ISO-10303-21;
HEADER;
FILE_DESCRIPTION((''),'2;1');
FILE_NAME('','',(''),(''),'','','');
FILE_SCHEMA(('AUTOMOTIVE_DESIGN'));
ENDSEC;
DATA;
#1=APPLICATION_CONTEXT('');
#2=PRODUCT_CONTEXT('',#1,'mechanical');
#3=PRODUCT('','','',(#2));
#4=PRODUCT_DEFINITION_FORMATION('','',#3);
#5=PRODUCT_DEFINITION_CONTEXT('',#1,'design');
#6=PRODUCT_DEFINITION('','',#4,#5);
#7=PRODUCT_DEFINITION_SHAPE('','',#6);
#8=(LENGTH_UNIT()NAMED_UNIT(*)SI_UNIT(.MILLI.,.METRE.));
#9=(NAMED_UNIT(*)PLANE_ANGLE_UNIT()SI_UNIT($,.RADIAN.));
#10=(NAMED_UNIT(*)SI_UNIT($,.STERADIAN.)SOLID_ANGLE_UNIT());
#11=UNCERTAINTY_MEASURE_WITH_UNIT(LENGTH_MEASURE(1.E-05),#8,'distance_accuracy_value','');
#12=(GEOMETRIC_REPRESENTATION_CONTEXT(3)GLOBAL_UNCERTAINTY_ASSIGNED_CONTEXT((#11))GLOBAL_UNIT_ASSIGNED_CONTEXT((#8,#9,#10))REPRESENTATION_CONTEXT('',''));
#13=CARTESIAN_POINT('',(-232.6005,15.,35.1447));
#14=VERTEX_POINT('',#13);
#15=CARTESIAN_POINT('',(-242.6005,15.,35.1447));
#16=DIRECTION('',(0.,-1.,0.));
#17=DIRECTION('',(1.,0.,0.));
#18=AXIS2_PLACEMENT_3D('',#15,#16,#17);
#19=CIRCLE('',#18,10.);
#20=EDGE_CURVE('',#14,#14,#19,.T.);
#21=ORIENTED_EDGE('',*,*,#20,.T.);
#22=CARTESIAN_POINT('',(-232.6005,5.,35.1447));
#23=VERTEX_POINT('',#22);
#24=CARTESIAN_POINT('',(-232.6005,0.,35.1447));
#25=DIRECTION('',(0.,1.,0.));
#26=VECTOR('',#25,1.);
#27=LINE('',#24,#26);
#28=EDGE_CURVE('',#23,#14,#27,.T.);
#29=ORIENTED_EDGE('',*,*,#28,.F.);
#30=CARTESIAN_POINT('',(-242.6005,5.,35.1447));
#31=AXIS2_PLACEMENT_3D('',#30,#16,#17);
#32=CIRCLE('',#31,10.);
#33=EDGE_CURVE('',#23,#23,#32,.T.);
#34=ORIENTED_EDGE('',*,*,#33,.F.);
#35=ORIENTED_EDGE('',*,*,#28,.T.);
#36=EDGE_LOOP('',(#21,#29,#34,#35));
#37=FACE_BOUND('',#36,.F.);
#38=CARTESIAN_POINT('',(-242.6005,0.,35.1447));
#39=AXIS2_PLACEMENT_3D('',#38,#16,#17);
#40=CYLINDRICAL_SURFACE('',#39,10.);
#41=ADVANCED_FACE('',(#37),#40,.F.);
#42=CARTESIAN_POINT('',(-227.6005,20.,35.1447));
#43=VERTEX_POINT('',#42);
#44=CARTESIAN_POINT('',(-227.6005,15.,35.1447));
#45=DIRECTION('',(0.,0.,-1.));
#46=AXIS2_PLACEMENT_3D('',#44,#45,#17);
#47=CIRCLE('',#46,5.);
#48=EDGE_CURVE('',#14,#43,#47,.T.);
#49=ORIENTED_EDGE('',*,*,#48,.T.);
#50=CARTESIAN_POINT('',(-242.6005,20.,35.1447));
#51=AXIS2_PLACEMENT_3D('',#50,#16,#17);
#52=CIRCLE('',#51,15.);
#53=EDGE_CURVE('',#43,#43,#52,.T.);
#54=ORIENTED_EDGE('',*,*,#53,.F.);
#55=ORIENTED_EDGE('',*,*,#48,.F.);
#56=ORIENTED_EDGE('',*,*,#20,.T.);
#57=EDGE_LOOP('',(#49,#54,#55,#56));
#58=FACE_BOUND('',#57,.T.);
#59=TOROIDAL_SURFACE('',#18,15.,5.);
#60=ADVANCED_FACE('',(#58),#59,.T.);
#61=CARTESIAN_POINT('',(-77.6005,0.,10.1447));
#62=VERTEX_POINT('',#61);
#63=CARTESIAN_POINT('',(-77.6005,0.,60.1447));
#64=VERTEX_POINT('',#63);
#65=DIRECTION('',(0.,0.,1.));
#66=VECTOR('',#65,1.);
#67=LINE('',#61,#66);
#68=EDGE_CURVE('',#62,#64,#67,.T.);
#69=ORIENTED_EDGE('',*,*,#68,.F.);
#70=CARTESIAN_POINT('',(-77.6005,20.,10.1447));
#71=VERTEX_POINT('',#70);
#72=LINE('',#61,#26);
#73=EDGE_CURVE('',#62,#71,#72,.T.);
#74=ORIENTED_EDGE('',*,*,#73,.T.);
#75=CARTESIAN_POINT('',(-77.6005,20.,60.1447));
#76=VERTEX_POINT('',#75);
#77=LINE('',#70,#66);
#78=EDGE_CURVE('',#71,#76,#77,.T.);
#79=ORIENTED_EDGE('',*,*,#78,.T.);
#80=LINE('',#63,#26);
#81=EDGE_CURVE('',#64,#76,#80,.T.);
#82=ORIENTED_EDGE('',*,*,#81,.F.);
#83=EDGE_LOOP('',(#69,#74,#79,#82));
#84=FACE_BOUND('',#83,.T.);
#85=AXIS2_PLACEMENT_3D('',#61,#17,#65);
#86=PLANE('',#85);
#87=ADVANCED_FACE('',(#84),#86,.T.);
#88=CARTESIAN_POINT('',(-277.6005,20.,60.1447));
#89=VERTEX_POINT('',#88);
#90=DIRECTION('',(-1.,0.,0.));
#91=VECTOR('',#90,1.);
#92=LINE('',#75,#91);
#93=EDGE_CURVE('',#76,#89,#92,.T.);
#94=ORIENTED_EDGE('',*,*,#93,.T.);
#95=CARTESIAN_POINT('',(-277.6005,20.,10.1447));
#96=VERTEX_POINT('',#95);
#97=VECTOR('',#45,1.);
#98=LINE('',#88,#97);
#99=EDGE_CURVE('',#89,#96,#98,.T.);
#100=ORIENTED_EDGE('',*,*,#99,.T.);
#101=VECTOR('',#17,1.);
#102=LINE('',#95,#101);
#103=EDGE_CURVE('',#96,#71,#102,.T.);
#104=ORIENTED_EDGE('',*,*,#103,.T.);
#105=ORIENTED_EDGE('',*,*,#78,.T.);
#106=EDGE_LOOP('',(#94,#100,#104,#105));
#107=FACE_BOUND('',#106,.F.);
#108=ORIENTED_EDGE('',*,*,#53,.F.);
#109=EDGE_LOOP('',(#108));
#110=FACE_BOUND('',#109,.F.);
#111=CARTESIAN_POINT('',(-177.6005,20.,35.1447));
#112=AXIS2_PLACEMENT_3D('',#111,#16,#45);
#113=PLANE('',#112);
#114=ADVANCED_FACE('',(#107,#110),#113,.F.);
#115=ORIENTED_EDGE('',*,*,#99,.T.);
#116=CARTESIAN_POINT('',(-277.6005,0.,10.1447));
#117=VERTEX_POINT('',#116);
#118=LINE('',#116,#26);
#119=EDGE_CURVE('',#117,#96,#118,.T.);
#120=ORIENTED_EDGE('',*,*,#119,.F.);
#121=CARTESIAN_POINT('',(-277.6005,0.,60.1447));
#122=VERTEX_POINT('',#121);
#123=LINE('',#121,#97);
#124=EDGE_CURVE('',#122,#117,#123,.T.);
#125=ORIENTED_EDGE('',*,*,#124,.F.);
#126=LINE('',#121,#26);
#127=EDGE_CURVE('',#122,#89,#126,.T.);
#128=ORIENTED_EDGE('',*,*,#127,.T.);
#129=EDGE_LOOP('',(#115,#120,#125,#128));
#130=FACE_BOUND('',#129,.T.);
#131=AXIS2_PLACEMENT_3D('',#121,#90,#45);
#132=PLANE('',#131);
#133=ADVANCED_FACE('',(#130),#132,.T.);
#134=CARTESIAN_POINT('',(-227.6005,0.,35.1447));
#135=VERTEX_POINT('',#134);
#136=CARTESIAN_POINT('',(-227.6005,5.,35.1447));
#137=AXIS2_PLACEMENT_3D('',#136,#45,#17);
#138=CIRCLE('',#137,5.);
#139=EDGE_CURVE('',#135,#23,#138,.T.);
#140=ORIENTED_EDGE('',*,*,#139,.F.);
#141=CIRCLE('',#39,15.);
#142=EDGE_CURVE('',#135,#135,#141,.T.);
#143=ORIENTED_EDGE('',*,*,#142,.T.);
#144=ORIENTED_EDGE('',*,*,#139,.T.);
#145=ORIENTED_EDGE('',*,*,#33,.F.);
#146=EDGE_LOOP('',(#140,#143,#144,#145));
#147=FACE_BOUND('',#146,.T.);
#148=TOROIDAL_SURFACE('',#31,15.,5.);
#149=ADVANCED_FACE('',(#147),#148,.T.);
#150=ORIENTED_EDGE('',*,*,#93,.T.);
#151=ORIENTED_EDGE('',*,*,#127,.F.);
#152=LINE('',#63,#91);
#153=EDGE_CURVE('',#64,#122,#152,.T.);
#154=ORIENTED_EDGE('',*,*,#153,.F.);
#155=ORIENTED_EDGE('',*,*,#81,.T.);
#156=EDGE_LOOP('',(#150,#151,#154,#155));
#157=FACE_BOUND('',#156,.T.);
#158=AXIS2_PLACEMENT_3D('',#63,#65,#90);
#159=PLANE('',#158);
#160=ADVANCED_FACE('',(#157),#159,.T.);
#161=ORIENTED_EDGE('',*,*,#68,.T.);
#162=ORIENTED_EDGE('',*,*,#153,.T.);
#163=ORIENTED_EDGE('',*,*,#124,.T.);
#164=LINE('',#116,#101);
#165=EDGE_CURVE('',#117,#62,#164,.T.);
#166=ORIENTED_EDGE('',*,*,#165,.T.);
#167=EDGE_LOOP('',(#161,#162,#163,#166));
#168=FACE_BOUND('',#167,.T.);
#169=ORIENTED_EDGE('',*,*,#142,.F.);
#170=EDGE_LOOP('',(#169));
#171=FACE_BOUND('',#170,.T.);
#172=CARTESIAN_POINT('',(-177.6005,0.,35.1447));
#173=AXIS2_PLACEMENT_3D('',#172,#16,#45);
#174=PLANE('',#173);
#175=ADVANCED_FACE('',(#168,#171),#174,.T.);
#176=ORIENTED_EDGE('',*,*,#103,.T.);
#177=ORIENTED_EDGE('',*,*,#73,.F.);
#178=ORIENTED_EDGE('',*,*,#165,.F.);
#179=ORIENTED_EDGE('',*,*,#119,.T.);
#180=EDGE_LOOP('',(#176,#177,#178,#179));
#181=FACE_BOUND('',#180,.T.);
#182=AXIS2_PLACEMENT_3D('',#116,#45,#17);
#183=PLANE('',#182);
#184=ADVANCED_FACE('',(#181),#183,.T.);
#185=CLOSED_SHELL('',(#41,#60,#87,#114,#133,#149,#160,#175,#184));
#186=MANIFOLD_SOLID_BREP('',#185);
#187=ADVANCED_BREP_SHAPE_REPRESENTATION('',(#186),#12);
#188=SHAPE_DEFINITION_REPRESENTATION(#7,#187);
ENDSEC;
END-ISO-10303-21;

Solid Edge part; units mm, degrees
sketch "Sketch1" plane through (0, 0, 0) normal (0, -1, 0) x (1, 0, 0)
  line L0 (-77.6005, 10.1447) -> (-77.6005, 60.1447)
  line L1 (-77.6005, 60.1447) -> (-277.6005, 60.1447)
  line L2 (-277.6005, 60.1447) -> (-277.6005, 10.1447)
  line L3 (-277.6005, 10.1447) -> (-77.6005, 10.1447)
  dimension "D1" = 200
extrude "Protrusion1" add sketch "Sketch1" against normal blind 20
sketch "Sketch2" plane through (-102.6005, 0, 35.1447) normal (0, -1, 0) x (1, 0, 0)
  circle A0 centre (-140, 0) radius 10
  dimension "D1" = 35
extrude "Cutout1" cut sketch "Sketch2" against normal through all
fillet "Round_2" radius 5 1 edges at (-252.6005, 0, 35.1447)
fillet "Round_3" radius 5 1 edges at (-242.6005, 20, 45.1447)
